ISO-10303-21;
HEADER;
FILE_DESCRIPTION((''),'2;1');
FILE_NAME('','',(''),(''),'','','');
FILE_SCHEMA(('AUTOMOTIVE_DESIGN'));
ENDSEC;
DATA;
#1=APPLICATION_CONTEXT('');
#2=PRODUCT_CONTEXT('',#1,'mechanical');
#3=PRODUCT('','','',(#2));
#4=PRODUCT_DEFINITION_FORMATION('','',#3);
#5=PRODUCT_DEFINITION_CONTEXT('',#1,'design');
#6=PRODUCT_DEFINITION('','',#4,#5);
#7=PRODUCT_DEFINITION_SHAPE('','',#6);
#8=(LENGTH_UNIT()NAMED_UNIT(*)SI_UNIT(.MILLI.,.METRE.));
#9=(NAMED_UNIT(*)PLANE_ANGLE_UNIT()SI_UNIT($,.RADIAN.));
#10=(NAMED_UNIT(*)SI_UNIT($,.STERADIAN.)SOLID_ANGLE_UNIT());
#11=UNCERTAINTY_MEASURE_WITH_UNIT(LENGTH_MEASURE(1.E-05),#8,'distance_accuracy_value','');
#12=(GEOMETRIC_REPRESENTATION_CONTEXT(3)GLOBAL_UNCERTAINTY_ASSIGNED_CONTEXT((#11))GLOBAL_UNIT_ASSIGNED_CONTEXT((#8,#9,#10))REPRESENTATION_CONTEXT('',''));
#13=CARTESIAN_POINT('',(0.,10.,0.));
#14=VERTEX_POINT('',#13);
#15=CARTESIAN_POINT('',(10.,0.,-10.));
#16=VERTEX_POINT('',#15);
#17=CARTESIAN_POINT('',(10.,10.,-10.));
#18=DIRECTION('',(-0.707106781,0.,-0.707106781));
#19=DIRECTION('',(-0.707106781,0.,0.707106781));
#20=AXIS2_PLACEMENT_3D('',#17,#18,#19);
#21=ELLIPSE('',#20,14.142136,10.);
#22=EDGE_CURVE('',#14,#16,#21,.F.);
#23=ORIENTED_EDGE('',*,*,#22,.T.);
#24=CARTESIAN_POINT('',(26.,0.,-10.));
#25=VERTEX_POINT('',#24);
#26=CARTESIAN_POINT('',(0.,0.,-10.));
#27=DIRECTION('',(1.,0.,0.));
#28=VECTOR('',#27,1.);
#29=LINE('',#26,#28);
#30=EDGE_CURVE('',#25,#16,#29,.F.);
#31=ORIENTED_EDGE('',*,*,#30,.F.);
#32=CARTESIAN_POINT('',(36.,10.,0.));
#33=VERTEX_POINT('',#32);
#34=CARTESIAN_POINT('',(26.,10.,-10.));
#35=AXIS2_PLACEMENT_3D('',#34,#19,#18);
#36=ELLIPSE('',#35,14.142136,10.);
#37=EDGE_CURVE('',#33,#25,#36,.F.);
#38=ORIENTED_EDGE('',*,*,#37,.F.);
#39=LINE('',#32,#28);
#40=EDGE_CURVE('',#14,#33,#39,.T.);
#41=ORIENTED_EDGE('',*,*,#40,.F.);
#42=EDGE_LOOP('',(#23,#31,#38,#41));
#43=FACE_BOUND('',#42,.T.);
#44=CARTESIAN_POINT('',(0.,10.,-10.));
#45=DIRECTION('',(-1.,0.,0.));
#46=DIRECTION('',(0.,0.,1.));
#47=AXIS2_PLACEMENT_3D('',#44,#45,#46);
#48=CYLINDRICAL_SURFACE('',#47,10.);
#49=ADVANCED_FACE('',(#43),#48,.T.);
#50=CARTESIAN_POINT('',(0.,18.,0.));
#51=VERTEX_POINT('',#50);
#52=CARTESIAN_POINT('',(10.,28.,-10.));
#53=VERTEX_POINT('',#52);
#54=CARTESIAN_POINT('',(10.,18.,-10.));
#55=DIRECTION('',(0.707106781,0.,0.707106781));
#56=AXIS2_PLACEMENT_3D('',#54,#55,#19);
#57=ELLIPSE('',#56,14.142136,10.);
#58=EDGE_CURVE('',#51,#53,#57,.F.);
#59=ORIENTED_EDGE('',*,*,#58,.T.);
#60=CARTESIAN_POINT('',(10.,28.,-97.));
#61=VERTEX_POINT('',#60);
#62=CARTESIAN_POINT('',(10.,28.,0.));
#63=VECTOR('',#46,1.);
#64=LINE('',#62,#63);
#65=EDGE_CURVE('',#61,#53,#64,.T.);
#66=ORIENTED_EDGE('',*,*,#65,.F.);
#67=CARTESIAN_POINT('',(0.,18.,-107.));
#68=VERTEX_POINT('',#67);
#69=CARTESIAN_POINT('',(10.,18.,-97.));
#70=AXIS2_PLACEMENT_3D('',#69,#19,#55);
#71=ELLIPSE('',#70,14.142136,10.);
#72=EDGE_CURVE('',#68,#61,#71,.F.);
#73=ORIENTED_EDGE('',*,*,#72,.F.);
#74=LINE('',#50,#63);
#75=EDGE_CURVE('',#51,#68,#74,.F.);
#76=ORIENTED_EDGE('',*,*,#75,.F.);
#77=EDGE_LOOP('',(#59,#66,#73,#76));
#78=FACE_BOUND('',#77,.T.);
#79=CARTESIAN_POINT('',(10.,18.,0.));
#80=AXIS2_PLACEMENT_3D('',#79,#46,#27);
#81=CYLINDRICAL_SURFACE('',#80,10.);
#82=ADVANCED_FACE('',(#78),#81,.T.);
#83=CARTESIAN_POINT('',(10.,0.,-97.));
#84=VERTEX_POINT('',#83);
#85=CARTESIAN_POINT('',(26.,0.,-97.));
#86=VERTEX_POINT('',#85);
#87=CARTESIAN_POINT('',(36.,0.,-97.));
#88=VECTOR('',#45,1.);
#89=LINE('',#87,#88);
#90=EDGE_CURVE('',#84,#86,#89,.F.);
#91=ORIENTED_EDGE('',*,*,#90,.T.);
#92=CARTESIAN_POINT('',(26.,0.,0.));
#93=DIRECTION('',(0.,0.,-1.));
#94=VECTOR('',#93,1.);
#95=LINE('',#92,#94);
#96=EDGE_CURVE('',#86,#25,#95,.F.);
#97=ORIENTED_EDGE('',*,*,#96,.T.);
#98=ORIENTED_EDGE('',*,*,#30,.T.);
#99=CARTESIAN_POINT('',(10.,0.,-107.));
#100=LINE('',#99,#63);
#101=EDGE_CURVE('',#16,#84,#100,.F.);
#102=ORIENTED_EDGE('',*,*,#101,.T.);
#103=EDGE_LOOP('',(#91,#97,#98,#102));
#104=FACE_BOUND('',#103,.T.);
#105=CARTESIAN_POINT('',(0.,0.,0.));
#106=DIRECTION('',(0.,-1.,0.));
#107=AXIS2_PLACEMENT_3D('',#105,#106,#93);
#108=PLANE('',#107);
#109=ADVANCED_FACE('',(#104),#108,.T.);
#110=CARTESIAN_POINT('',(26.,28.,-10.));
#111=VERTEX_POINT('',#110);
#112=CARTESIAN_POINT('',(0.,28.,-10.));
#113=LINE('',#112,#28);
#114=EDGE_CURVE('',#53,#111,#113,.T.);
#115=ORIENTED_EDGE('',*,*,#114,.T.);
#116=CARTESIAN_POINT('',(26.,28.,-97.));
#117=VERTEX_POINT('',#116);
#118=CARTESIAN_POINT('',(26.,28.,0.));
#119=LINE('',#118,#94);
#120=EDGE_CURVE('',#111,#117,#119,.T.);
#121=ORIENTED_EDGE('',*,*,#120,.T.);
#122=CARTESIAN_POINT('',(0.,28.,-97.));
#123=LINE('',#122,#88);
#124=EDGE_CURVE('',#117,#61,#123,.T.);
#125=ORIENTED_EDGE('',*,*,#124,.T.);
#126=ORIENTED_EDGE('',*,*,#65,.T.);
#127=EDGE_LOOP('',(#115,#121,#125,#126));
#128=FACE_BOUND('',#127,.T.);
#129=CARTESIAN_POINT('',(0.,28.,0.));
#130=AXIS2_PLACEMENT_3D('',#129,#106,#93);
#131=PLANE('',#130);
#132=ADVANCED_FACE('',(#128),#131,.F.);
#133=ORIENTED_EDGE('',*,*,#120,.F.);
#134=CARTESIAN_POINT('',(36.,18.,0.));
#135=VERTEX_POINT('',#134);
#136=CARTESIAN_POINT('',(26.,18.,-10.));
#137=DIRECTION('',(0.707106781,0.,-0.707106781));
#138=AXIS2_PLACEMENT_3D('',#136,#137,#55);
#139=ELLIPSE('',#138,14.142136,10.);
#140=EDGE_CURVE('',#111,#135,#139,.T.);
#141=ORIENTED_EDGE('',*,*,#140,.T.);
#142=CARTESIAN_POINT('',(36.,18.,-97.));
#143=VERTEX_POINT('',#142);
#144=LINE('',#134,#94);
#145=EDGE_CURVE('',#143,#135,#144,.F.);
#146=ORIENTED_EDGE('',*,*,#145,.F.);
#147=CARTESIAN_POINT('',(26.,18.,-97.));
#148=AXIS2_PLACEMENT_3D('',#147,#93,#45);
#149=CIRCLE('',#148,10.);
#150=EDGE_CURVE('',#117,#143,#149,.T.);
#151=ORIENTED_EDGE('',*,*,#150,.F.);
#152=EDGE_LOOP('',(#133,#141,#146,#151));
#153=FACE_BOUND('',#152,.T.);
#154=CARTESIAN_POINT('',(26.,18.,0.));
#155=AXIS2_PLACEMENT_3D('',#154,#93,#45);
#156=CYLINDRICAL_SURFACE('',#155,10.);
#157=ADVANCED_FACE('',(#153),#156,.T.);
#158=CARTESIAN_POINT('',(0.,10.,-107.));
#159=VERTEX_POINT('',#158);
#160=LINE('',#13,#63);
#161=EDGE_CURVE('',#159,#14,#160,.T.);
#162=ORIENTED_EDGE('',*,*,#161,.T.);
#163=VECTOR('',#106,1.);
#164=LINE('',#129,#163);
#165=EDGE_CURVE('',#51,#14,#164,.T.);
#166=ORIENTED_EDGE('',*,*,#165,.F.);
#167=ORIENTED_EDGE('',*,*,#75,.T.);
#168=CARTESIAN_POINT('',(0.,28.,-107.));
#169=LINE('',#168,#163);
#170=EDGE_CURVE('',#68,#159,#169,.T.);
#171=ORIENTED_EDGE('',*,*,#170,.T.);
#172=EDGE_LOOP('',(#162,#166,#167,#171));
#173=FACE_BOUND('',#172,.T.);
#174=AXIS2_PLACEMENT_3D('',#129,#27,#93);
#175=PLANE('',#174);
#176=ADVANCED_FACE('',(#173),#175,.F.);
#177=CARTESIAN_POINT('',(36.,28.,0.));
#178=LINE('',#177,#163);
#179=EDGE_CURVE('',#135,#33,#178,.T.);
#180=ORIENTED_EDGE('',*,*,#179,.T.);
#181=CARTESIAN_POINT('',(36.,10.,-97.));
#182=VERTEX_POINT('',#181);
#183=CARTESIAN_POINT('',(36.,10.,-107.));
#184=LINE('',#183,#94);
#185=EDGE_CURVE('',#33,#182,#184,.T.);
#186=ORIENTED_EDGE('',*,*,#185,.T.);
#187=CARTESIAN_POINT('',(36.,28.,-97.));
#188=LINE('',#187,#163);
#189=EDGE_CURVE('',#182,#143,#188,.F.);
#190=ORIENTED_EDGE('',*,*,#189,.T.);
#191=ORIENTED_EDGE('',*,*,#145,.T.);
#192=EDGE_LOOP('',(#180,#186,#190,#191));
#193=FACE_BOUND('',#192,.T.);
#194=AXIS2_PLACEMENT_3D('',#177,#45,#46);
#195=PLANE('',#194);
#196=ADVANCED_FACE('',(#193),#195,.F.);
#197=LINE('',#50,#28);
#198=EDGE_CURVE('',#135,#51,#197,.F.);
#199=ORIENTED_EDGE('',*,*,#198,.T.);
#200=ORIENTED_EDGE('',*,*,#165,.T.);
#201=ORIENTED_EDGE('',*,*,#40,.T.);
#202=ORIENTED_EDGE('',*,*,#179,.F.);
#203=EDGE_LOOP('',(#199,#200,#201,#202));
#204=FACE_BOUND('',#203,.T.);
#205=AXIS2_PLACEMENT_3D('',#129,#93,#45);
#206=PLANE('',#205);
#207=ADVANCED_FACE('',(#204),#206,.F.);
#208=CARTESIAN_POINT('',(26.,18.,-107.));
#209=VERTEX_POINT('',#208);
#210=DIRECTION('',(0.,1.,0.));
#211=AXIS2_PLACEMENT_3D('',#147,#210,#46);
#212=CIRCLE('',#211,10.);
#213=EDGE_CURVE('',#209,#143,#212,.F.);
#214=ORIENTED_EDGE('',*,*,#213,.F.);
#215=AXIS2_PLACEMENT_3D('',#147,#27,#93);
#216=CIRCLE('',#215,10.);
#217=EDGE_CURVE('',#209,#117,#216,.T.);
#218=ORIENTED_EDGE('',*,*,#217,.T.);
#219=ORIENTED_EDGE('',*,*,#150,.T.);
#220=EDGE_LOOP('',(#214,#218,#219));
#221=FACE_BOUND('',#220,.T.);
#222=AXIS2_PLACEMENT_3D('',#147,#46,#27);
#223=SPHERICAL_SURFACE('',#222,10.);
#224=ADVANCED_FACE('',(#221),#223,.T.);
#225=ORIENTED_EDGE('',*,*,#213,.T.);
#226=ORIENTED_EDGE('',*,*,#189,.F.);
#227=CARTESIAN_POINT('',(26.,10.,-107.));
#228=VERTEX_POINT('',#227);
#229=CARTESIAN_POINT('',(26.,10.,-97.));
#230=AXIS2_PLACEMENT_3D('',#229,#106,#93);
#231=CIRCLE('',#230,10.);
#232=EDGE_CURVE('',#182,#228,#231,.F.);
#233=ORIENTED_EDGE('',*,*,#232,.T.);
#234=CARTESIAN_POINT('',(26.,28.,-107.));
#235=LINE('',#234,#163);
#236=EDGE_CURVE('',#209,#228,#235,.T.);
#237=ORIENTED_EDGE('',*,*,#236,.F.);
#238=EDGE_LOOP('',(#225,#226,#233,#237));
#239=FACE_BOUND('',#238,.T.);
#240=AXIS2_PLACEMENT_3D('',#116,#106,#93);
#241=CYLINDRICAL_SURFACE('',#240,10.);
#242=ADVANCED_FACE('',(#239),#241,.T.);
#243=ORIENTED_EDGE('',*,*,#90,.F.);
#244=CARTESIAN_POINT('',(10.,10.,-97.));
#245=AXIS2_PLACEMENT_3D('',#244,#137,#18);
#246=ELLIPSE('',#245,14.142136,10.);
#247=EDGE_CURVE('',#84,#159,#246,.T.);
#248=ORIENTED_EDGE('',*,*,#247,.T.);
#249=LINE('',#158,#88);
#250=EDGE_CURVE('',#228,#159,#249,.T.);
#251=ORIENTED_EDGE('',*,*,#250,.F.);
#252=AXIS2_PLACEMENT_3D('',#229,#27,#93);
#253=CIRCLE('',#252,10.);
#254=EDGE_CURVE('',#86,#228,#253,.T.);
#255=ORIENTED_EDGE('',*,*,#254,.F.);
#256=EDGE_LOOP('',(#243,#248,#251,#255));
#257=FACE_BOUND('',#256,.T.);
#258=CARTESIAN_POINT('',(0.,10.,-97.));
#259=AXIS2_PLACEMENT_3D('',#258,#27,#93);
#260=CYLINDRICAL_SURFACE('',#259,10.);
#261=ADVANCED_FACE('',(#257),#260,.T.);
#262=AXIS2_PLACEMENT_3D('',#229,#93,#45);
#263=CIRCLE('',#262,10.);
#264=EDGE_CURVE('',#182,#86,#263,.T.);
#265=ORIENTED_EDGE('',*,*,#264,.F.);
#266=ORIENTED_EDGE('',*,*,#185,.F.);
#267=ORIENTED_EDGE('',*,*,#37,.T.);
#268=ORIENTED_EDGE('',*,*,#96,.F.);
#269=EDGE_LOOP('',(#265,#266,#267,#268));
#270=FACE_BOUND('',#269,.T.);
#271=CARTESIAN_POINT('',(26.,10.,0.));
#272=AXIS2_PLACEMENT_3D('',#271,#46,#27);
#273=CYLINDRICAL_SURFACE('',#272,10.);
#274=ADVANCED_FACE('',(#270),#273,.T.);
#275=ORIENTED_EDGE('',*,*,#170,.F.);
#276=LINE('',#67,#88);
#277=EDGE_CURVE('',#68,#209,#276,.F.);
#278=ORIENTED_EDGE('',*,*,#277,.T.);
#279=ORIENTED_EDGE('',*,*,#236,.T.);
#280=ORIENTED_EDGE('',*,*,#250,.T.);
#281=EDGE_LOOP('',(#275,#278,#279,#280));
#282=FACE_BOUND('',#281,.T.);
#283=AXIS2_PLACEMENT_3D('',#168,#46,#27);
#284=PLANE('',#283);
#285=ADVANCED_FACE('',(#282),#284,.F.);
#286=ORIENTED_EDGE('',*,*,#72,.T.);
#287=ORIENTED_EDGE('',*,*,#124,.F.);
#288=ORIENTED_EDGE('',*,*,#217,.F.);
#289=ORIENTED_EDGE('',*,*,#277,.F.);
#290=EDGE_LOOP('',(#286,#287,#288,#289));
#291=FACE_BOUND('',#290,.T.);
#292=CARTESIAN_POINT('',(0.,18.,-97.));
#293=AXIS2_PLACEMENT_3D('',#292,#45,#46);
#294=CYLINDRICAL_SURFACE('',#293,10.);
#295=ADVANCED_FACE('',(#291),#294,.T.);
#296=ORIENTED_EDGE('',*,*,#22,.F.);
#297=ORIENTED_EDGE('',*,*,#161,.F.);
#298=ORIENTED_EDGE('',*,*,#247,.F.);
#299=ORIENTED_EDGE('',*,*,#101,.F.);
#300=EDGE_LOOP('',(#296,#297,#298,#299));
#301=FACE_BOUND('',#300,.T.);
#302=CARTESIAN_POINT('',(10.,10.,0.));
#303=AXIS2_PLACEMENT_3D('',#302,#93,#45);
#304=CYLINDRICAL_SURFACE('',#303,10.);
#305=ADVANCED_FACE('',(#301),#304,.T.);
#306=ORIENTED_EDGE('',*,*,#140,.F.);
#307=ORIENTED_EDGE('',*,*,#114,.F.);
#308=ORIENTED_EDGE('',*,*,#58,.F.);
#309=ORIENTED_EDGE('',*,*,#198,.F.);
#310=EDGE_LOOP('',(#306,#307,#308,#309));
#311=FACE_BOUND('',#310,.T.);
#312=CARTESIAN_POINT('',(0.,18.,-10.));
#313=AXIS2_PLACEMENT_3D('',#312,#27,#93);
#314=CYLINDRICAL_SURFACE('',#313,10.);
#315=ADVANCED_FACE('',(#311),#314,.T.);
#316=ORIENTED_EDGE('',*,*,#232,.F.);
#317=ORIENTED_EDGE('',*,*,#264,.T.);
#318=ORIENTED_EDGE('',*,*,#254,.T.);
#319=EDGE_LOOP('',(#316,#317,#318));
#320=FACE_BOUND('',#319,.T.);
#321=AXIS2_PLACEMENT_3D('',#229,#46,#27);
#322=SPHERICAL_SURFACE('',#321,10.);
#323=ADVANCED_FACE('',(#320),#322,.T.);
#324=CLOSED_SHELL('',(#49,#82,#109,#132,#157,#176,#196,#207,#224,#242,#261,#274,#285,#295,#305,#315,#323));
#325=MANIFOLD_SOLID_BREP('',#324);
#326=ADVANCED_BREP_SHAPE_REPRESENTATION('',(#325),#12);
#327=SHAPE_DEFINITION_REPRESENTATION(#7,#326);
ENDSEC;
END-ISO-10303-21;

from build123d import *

# Parameters (mm, degrees)
SKETCH1_W           = 36
SKETCH1_H           = 107
BOSS_EXTRUDE1_DEPTH = 28
FILLET1_R           = 10


with BuildPart() as part:
    # Sketch1 → Boss-Extrude1 (new body)
    with BuildSketch(Plane(origin=(0, 0, 0), x_dir=(1, 0, 0), z_dir=(0, 1, 0))):
        with Locations((18, 53.5)):
            Rectangle(SKETCH1_W, SKETCH1_H)
    extrude(amount=BOSS_EXTRUDE1_DEPTH)

    # Fillet1
    fillet1_edges = [part.edges().sort_by_distance(p)[0] for p in [
        (36, 28, -53.5),
        (18, 28, -107),
        (0, 28, -53.5),
        (18, 0, -107),
        (36, 0, -53.5),
        (18, 0, 0),
        (0, 0, -53.5),
        (18, 28, 0),
        (36, 14, -107),
    ]]
    fillet(fillet1_edges, radius=FILLET1_R)


solid = part.part
